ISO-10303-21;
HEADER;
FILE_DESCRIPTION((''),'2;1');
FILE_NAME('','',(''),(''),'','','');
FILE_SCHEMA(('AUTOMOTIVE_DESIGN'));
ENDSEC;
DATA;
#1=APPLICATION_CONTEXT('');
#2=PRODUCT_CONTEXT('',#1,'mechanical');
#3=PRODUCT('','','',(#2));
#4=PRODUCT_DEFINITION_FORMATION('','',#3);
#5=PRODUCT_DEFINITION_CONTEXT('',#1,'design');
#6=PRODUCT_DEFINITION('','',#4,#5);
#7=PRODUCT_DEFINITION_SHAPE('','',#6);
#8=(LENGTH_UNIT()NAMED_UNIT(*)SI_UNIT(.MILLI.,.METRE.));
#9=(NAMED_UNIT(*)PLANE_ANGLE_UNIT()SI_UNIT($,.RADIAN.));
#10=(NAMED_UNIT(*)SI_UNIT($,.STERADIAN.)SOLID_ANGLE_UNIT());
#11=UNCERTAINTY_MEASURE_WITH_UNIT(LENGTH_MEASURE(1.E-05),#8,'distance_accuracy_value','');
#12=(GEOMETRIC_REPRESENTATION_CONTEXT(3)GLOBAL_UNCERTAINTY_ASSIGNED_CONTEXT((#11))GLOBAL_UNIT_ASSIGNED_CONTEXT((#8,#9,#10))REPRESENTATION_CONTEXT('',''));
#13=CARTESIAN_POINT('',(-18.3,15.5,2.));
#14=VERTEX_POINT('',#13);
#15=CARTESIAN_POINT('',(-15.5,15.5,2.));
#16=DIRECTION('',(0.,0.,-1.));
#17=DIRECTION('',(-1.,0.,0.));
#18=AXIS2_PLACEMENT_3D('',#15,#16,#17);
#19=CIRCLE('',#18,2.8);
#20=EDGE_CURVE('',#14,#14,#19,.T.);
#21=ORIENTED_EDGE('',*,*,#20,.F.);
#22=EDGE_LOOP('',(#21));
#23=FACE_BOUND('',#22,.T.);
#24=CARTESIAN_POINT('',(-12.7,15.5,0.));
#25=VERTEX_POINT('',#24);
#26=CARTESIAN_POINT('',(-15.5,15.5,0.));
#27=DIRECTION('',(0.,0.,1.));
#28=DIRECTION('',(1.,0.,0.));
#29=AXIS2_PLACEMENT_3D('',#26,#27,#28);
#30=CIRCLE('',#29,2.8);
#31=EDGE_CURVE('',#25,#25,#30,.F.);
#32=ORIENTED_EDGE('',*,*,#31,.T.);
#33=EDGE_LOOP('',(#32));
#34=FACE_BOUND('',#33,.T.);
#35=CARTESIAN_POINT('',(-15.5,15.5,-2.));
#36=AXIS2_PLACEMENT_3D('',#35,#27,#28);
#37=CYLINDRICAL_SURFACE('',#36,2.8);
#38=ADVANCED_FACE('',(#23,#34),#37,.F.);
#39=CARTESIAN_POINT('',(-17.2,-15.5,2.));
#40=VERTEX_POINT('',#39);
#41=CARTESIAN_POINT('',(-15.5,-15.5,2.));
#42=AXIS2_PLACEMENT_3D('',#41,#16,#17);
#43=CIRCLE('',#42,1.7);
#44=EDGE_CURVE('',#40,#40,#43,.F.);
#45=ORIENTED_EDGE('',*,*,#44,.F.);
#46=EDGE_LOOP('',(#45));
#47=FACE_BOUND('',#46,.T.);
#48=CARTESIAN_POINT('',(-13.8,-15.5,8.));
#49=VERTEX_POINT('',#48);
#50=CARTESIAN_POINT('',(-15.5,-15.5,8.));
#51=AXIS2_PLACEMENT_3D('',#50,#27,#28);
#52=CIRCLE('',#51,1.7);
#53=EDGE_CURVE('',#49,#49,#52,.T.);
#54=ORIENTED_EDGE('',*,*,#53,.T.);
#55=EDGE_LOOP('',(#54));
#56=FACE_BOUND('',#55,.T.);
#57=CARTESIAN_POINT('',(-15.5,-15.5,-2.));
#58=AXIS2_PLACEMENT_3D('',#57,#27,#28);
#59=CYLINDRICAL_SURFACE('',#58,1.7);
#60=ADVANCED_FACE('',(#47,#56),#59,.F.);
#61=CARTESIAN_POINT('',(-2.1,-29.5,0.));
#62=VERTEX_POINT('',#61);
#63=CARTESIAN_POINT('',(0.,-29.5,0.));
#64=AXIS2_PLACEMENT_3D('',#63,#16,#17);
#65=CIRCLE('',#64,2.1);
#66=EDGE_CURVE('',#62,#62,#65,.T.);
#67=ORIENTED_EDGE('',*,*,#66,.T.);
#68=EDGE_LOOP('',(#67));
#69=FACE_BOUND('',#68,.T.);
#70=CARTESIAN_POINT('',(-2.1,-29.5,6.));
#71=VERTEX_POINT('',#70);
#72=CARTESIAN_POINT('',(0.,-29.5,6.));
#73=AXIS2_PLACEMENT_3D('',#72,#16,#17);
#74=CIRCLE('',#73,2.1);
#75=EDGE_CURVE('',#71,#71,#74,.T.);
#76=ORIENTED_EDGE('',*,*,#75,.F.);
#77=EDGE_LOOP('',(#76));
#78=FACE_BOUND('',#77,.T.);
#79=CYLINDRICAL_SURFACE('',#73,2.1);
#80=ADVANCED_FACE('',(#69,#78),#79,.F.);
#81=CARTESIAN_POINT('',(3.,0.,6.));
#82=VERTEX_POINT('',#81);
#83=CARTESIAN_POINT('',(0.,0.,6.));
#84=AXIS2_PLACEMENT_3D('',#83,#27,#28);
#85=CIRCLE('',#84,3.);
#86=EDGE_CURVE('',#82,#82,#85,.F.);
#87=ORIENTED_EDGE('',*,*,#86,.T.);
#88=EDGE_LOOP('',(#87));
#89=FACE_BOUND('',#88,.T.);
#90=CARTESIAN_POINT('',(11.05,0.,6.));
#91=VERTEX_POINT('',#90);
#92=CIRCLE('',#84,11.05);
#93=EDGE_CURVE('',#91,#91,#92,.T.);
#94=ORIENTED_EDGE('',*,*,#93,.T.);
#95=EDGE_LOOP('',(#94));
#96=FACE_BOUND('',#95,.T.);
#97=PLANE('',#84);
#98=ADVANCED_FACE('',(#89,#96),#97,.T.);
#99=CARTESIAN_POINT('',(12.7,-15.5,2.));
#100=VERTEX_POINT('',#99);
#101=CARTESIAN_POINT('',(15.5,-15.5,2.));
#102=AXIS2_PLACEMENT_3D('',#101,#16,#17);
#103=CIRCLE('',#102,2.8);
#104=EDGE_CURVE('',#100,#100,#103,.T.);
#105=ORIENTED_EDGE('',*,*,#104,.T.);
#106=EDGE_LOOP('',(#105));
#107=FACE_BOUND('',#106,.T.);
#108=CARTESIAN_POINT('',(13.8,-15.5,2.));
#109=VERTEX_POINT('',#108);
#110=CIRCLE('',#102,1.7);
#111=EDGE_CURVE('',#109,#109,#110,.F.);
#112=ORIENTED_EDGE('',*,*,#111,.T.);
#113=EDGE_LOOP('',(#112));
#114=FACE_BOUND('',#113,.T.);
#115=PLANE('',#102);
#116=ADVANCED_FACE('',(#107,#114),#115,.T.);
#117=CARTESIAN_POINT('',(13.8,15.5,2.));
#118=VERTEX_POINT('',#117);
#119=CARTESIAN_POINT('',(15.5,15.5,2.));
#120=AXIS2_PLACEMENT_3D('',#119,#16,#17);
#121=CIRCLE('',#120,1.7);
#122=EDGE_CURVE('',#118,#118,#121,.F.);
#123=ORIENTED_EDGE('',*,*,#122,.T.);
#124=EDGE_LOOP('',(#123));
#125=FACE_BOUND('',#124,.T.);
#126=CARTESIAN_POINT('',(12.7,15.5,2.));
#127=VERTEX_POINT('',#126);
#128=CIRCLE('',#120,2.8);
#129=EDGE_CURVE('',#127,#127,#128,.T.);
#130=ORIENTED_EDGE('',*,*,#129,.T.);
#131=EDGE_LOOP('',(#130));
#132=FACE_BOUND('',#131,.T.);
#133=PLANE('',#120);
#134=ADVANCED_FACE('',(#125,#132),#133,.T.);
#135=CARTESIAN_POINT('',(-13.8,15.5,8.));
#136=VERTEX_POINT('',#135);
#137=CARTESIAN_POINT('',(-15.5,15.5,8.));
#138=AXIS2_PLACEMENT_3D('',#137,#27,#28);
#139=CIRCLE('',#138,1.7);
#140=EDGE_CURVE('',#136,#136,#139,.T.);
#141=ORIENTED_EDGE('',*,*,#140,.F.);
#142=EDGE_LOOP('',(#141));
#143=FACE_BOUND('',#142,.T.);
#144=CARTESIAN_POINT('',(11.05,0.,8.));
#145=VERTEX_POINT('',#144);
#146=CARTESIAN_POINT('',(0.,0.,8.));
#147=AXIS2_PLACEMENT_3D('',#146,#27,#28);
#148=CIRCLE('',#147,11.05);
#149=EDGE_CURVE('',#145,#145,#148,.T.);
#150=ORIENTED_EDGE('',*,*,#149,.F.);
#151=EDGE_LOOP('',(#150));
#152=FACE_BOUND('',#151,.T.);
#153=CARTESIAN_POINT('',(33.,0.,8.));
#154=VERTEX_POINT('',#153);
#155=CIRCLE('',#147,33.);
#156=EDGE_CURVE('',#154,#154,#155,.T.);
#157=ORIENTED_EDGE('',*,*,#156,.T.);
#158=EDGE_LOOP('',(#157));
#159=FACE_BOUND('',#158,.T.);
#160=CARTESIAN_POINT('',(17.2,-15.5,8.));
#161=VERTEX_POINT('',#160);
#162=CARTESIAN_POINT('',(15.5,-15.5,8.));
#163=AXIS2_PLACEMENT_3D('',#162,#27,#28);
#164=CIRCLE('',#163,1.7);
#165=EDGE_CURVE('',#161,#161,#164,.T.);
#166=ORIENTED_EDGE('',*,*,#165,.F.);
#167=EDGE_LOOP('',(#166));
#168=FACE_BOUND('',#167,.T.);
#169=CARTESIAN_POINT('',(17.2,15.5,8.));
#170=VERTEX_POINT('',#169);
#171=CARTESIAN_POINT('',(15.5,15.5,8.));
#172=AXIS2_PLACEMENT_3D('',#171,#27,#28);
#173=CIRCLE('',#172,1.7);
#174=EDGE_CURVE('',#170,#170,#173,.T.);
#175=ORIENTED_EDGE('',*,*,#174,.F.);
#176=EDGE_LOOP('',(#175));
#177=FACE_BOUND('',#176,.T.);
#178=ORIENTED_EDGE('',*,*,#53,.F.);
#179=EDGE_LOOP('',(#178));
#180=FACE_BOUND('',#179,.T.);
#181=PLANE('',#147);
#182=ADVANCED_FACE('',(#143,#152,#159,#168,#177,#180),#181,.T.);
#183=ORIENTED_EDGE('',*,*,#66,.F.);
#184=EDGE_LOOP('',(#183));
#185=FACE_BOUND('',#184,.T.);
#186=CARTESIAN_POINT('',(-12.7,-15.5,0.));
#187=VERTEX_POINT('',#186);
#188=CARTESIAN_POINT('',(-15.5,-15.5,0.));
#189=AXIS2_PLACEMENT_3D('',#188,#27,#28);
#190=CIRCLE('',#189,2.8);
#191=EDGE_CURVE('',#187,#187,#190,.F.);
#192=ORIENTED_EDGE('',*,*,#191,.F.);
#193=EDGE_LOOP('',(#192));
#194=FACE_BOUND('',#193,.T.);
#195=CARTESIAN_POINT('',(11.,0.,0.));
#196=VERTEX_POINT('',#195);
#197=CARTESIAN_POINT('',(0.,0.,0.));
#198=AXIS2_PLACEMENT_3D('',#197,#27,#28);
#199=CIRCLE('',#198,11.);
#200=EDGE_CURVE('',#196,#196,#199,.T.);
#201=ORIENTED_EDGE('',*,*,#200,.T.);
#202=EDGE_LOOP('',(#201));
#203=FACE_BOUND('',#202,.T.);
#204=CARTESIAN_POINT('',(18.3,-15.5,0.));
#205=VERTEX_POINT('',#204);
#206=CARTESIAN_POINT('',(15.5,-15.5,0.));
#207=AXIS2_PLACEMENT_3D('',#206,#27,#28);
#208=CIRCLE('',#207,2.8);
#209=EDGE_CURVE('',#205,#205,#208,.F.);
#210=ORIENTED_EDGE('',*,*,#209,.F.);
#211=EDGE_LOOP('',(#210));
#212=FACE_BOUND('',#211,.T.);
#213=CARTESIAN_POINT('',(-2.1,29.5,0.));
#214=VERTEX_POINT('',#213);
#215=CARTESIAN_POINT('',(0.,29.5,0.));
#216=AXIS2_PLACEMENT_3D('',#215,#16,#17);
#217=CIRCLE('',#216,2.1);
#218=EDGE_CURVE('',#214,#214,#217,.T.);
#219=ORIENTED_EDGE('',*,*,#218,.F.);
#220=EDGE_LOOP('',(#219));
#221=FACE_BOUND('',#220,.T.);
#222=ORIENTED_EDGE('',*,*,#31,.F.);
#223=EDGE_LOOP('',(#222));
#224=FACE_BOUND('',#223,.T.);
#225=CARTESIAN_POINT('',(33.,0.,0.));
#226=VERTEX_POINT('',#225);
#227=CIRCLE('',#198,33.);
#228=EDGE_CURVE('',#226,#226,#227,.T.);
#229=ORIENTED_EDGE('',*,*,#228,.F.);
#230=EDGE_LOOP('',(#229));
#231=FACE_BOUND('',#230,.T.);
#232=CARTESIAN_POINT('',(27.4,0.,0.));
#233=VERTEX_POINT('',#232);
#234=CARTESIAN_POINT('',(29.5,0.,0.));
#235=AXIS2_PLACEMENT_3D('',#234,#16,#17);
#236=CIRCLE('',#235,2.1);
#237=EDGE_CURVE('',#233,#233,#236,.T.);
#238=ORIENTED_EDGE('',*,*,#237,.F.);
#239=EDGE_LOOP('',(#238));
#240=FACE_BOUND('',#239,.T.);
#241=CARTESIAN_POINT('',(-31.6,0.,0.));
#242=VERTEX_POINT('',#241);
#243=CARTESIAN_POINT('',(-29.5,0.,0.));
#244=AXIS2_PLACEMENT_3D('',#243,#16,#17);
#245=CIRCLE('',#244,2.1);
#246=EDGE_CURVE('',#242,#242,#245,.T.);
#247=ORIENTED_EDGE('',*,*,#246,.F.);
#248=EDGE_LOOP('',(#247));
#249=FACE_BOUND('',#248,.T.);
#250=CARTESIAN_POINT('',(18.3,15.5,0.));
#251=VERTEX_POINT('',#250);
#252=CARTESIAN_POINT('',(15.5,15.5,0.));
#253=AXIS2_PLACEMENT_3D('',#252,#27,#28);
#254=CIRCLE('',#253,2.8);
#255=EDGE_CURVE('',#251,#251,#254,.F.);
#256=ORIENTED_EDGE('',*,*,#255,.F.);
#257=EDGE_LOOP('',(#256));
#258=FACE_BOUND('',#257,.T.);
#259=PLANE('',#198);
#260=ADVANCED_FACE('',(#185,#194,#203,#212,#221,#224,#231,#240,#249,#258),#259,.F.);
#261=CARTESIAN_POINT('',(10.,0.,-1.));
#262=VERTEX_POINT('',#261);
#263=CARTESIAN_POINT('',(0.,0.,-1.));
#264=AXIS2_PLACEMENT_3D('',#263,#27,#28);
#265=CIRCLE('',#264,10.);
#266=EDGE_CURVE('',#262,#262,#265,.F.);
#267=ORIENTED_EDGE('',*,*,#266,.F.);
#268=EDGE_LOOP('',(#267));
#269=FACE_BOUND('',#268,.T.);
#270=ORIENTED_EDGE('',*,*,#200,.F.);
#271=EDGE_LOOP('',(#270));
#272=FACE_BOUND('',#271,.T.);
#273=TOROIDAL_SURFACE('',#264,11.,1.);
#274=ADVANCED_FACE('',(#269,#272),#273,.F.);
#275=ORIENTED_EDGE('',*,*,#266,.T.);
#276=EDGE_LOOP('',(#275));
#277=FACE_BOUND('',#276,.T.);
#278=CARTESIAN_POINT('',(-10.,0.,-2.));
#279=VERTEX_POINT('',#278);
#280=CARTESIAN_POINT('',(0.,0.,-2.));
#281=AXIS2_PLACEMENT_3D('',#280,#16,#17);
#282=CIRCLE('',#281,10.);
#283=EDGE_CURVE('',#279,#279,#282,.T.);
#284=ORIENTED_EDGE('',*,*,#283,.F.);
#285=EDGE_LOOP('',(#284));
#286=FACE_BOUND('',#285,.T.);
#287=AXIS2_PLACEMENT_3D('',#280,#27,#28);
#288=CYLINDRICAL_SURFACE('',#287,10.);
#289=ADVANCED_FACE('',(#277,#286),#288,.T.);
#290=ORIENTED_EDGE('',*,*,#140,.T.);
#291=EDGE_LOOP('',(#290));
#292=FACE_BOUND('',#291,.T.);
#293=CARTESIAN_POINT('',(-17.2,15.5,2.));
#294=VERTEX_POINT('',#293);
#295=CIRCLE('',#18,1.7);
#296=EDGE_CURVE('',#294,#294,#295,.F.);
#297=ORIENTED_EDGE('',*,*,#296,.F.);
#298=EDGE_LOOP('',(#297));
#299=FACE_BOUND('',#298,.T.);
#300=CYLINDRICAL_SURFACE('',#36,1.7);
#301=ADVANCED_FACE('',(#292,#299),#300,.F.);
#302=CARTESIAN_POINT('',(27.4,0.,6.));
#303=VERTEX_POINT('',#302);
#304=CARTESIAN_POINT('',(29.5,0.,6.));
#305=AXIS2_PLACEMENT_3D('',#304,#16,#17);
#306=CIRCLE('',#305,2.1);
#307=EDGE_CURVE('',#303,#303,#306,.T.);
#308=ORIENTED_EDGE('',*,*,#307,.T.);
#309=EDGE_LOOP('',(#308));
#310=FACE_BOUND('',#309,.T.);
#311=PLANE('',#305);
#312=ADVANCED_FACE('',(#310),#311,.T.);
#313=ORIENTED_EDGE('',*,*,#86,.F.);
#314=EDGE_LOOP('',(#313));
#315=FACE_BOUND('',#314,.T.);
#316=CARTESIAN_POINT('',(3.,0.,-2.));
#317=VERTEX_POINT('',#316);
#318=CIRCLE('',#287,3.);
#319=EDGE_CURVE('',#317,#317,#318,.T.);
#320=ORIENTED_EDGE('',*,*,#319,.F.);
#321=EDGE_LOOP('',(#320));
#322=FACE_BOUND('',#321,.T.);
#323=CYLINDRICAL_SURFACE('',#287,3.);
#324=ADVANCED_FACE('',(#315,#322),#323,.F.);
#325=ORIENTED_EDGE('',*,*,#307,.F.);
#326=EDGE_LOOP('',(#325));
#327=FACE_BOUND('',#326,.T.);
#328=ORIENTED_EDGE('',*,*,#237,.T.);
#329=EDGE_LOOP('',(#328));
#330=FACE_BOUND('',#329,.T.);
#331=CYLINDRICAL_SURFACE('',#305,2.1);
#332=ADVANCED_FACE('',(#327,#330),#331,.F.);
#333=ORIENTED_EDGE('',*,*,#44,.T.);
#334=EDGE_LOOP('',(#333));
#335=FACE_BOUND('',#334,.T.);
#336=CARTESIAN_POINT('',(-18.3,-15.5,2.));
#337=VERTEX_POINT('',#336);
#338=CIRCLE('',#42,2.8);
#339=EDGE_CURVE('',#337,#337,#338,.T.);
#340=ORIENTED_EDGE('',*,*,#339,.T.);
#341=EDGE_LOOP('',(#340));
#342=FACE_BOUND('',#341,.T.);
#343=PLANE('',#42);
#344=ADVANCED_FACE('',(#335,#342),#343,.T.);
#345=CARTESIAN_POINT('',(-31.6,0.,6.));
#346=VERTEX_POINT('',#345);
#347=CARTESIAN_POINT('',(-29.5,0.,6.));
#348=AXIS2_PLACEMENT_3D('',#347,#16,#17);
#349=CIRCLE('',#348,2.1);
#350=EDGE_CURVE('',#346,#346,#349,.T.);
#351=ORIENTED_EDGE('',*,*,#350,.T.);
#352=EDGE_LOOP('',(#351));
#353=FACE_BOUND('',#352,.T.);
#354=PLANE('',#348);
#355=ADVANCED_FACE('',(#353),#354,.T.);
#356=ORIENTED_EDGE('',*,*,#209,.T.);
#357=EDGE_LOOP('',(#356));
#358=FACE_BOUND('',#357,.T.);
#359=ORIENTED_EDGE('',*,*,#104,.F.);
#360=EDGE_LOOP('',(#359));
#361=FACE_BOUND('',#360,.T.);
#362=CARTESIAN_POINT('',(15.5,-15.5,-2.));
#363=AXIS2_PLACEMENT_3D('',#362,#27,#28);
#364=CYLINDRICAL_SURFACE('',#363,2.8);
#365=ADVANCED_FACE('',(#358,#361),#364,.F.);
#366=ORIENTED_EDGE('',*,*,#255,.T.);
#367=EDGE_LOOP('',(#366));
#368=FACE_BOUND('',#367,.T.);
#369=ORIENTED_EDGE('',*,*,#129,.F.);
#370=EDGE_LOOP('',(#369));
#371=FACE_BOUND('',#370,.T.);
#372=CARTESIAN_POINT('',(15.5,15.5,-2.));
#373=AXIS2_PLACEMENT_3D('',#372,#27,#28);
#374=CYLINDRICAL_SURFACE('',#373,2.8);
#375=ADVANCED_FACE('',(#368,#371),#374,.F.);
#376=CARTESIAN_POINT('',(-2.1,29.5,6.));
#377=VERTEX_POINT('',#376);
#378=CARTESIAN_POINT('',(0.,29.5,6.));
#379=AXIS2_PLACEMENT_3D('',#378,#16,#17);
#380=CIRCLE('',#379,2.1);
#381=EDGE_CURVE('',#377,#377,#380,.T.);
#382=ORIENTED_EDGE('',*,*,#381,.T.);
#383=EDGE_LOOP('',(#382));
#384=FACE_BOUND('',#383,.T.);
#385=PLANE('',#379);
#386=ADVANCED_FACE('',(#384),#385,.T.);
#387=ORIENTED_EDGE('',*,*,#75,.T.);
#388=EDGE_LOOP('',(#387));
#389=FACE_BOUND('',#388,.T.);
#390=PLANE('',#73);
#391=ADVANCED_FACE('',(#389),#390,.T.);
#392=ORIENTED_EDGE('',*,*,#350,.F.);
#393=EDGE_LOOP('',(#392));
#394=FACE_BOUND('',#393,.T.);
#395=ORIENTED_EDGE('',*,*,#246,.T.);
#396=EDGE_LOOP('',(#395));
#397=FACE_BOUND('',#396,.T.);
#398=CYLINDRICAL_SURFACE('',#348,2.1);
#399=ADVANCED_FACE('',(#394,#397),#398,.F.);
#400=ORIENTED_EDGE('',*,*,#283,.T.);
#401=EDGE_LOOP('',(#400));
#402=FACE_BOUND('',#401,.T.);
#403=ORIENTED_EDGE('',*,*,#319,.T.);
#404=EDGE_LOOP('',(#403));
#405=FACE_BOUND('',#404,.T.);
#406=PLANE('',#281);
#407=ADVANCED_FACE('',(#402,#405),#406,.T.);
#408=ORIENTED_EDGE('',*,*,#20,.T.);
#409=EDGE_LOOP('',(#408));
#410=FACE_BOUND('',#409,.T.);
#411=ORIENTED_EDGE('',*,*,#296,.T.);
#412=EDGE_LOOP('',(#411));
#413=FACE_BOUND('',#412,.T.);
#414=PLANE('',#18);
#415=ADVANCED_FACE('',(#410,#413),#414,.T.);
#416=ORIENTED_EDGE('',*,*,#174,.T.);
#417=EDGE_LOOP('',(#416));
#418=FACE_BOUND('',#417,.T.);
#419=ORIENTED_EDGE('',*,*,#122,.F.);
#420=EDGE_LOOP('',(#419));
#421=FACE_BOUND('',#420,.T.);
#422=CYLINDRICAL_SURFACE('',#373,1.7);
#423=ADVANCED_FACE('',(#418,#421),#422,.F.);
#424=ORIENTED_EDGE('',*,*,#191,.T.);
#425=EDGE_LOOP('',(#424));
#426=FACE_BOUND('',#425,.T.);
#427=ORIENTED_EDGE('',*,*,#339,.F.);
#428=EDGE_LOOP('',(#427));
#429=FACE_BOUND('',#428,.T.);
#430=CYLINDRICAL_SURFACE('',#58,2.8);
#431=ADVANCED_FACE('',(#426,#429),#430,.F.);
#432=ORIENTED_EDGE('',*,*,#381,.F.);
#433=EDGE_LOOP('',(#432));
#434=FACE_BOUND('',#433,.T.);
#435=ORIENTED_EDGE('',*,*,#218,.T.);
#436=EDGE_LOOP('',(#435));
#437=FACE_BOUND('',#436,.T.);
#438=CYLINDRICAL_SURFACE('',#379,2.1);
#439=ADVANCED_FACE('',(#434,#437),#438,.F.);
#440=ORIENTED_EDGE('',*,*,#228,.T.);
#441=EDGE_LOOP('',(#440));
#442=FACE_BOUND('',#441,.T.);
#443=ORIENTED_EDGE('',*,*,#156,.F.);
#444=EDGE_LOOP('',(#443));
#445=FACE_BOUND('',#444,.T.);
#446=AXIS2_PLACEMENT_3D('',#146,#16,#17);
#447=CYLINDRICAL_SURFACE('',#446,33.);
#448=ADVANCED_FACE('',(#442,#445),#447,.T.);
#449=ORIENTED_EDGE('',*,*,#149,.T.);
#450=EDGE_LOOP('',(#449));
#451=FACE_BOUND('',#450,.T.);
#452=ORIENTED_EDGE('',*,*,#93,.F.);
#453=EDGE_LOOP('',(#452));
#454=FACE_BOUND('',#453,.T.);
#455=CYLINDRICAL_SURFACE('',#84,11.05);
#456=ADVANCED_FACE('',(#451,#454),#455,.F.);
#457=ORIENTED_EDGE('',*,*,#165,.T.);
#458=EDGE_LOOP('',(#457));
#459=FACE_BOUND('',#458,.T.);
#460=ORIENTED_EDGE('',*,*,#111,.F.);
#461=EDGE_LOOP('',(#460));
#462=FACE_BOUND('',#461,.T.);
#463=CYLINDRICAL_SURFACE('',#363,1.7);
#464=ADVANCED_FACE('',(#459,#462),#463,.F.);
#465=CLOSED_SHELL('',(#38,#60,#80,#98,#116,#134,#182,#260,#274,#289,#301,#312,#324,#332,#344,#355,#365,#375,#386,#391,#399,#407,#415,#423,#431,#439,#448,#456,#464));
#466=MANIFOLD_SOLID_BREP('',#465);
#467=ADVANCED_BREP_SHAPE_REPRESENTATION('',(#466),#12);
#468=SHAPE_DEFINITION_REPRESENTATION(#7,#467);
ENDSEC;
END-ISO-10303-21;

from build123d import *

# Parameters (mm, degrees)
SKETCH2_R               = 33
BOSS_EXTRUDE1_DEPTH     = 8
SKETCH6_R               = 10
BOSS_EXTRUDE2_DEPTH     = 2
CUT_EXTRUDE1_DEPTH      = 48.728398255
CUT_EXTRUDE1_DEPTH_BACK = 48.728398255
SKETCH3_R               = 1.7
SKETCH3_R_2             = 3
CUT_EXTRUDE2_DEPTH      = 48.349762407
CUT_EXTRUDE2_DEPTH_BACK = 2
SKETCH4_R               = 2.8
SKETCH5_R               = 2.1
CUT_EXTRUDE3_DEPTH      = 6
FILLET1_R               = 1
SKETCH7_R               = 11.05
CUT_EXTRUDE4_DEPTH      = 2


with BuildPart() as part:
    # Sketch2 → Boss-Extrude1 (new body)
    with BuildSketch(Plane.XY):
        Circle(SKETCH2_R)
    extrude(amount=BOSS_EXTRUDE1_DEPTH)

    # Sketch6 → Boss-Extrude2 (add)
    with BuildSketch(Plane(origin=(0, 0, 0), x_dir=(-1, 0, 0), z_dir=(0, 0, -1))):
        Circle(SKETCH6_R)
    extrude(amount=BOSS_EXTRUDE2_DEPTH)

    # Sketch3 → Cut-Extrude1 (cut, two sides: drawn at the far end of the back side and taken through both)
    with BuildSketch(Plane.XY.offset(8).offset(-CUT_EXTRUDE1_DEPTH_BACK)):
        with Locations((-15.5, 15.5)):
            Circle(SKETCH3_R)
        with Locations((15.5, 15.5)):
            Circle(SKETCH3_R)
        with Locations((15.5, -15.5)):
            Circle(SKETCH3_R)
        with Locations((-15.5, -15.5)):
            Circle(SKETCH3_R)
        Circle(SKETCH3_R_2)
    extrude(amount=CUT_EXTRUDE1_DEPTH + CUT_EXTRUDE1_DEPTH_BACK, mode=Mode.SUBTRACT)

    # Sketch4 → Cut-Extrude2 (cut, two sides: drawn at the far end of the back side and taken through both)
    with BuildSketch(Plane(origin=(0, 0, 0), x_dir=(-1, 0, 0), z_dir=(0, 0, -1)).offset(-CUT_EXTRUDE2_DEPTH_BACK)):
        with Locations(Location((-15.5, 15.5, 0), (0, 0, 180))):
            Circle(SKETCH4_R)
        with Locations(Location((15.5, 15.5, 0), (0, 0, 180))):
            Circle(SKETCH4_R)
        with Locations(Location((15.5, -15.5, 0), (0, 0, 180))):
            Circle(SKETCH4_R)
        with Locations(Location((-15.5, -15.5, 0), (0, 0, 180))):
            Circle(SKETCH4_R)
    extrude(amount=CUT_EXTRUDE2_DEPTH + CUT_EXTRUDE2_DEPTH_BACK, mode=Mode.SUBTRACT)

    # Sketch5 → Cut-Extrude3 (cut)
    with BuildSketch(Plane(origin=(0, 0, 0), x_dir=(-1, 0, 0), z_dir=(0, 0, -1))):
        with Locations((0, 29.5)):
            Circle(SKETCH5_R)
        with Locations((29.5, 0)):
            Circle(SKETCH5_R)
        with Locations((0, -29.5)):
            Circle(SKETCH5_R)
        with Locations((-29.5, 0)):
            Circle(SKETCH5_R)
    extrude(amount=-CUT_EXTRUDE3_DEPTH, mode=Mode.SUBTRACT)

    # Fillet1
    fillet1_edges = [part.edges().sort_by_distance(p)[0] for p in [
        (10, 0, 0),
    ]]
    fillet(fillet1_edges, radius=FILLET1_R)

    # Sketch7 → Cut-Extrude4 (cut)
    with BuildSketch(Plane.XY.offset(8)):
        Circle(SKETCH7_R)
    extrude(amount=-CUT_EXTRUDE4_DEPTH, mode=Mode.SUBTRACT)


solid = part.part
